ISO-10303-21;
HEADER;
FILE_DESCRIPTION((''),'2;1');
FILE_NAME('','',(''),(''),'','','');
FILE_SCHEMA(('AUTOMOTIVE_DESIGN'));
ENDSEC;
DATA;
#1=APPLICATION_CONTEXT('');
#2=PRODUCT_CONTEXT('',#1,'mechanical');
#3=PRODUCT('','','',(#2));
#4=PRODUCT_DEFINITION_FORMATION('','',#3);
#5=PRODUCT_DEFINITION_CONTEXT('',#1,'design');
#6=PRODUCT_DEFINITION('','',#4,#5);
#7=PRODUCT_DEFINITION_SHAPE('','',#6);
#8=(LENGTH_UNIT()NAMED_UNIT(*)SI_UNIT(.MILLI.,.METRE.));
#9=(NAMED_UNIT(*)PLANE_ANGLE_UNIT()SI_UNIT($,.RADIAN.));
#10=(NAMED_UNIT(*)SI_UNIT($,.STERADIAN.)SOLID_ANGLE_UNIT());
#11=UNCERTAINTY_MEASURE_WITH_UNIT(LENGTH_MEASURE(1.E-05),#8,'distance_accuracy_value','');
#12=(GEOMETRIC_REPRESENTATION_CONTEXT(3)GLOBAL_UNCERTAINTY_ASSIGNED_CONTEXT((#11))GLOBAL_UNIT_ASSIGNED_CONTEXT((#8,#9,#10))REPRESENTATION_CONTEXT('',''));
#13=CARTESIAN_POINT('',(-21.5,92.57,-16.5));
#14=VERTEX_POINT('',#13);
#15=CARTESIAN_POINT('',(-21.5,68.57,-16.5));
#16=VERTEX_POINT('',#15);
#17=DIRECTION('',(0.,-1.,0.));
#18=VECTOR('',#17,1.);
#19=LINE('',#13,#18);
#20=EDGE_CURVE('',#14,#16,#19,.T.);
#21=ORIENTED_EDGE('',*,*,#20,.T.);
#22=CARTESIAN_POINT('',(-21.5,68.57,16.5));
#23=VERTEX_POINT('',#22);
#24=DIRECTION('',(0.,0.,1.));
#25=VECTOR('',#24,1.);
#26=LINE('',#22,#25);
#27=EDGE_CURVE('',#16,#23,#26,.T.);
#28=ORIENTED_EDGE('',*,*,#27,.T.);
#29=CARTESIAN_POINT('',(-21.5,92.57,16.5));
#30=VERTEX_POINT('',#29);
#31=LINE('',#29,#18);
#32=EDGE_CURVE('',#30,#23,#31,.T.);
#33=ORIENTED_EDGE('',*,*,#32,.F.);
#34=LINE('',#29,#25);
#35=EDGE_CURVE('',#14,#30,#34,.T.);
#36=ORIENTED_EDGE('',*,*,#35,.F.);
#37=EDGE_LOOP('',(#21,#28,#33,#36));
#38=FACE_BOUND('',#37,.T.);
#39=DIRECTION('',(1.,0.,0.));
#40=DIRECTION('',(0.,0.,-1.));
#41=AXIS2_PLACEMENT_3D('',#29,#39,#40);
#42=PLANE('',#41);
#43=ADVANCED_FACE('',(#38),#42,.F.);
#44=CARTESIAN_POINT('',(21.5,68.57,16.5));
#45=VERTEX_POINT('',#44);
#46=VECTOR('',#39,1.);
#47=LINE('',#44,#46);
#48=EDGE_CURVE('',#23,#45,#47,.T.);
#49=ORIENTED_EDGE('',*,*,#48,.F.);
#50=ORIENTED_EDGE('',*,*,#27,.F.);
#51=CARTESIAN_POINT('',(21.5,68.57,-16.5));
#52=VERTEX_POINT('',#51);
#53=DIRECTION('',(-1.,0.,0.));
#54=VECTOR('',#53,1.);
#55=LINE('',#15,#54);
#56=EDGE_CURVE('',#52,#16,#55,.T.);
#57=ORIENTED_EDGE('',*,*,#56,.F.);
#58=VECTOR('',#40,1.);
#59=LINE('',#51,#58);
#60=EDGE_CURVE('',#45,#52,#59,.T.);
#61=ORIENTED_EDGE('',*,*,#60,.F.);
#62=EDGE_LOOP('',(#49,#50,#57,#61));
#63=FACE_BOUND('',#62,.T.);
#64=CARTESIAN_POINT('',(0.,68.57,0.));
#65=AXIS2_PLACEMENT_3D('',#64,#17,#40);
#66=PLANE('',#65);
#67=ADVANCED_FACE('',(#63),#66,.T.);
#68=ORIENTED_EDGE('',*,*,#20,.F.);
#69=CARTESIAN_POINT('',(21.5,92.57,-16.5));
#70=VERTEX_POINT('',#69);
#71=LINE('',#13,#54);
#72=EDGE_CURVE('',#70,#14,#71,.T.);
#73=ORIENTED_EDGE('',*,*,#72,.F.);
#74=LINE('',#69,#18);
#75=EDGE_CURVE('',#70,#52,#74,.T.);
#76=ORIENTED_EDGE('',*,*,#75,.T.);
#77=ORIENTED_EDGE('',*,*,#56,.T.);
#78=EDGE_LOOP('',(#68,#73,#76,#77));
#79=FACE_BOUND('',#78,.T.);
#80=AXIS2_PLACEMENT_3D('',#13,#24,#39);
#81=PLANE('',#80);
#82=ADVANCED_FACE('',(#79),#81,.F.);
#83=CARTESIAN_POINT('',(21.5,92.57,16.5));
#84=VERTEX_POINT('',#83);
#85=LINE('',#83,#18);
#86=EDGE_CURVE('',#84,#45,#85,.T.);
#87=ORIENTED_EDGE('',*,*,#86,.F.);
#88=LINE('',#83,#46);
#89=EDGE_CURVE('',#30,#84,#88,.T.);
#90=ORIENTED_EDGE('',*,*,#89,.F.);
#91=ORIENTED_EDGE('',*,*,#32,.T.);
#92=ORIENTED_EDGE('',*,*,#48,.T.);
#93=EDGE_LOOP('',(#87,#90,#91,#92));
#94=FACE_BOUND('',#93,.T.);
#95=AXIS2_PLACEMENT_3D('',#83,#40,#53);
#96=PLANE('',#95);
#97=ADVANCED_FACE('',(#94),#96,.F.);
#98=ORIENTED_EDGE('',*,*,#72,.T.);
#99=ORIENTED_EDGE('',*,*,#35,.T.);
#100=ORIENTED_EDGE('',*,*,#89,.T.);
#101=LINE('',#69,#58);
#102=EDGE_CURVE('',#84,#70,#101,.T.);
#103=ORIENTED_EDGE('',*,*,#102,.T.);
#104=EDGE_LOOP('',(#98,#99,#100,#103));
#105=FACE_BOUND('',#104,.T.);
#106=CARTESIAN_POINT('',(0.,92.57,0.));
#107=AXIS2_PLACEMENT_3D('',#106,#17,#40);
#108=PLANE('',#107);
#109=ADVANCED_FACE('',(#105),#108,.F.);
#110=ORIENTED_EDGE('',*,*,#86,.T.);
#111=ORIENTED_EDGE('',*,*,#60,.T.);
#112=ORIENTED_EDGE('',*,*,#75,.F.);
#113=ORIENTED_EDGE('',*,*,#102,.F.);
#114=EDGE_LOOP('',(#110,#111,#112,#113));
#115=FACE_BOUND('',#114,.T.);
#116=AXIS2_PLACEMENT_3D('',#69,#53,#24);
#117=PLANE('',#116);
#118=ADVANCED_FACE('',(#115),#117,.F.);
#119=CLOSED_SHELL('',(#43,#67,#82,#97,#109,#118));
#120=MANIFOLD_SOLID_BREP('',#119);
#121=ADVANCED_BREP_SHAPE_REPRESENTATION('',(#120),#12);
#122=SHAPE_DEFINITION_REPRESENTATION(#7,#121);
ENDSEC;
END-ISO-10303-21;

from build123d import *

# Parameters (mm, degrees)
CASE_START    = 68.57
CASE_SKETCH_W = 43
CASE_SKETCH_H = 33
CASE_2_DEPTH  = 24


with BuildPart() as part:
    # Case Sketch → Case 2 (new body)
    with BuildSketch(Plane(origin=(0, 0, 0), x_dir=(1, 0, 0), z_dir=(0, 1, 0)).offset(CASE_START)):
        Rectangle(CASE_SKETCH_W, CASE_SKETCH_H)
    extrude(amount=CASE_2_DEPTH)


solid = part.part
